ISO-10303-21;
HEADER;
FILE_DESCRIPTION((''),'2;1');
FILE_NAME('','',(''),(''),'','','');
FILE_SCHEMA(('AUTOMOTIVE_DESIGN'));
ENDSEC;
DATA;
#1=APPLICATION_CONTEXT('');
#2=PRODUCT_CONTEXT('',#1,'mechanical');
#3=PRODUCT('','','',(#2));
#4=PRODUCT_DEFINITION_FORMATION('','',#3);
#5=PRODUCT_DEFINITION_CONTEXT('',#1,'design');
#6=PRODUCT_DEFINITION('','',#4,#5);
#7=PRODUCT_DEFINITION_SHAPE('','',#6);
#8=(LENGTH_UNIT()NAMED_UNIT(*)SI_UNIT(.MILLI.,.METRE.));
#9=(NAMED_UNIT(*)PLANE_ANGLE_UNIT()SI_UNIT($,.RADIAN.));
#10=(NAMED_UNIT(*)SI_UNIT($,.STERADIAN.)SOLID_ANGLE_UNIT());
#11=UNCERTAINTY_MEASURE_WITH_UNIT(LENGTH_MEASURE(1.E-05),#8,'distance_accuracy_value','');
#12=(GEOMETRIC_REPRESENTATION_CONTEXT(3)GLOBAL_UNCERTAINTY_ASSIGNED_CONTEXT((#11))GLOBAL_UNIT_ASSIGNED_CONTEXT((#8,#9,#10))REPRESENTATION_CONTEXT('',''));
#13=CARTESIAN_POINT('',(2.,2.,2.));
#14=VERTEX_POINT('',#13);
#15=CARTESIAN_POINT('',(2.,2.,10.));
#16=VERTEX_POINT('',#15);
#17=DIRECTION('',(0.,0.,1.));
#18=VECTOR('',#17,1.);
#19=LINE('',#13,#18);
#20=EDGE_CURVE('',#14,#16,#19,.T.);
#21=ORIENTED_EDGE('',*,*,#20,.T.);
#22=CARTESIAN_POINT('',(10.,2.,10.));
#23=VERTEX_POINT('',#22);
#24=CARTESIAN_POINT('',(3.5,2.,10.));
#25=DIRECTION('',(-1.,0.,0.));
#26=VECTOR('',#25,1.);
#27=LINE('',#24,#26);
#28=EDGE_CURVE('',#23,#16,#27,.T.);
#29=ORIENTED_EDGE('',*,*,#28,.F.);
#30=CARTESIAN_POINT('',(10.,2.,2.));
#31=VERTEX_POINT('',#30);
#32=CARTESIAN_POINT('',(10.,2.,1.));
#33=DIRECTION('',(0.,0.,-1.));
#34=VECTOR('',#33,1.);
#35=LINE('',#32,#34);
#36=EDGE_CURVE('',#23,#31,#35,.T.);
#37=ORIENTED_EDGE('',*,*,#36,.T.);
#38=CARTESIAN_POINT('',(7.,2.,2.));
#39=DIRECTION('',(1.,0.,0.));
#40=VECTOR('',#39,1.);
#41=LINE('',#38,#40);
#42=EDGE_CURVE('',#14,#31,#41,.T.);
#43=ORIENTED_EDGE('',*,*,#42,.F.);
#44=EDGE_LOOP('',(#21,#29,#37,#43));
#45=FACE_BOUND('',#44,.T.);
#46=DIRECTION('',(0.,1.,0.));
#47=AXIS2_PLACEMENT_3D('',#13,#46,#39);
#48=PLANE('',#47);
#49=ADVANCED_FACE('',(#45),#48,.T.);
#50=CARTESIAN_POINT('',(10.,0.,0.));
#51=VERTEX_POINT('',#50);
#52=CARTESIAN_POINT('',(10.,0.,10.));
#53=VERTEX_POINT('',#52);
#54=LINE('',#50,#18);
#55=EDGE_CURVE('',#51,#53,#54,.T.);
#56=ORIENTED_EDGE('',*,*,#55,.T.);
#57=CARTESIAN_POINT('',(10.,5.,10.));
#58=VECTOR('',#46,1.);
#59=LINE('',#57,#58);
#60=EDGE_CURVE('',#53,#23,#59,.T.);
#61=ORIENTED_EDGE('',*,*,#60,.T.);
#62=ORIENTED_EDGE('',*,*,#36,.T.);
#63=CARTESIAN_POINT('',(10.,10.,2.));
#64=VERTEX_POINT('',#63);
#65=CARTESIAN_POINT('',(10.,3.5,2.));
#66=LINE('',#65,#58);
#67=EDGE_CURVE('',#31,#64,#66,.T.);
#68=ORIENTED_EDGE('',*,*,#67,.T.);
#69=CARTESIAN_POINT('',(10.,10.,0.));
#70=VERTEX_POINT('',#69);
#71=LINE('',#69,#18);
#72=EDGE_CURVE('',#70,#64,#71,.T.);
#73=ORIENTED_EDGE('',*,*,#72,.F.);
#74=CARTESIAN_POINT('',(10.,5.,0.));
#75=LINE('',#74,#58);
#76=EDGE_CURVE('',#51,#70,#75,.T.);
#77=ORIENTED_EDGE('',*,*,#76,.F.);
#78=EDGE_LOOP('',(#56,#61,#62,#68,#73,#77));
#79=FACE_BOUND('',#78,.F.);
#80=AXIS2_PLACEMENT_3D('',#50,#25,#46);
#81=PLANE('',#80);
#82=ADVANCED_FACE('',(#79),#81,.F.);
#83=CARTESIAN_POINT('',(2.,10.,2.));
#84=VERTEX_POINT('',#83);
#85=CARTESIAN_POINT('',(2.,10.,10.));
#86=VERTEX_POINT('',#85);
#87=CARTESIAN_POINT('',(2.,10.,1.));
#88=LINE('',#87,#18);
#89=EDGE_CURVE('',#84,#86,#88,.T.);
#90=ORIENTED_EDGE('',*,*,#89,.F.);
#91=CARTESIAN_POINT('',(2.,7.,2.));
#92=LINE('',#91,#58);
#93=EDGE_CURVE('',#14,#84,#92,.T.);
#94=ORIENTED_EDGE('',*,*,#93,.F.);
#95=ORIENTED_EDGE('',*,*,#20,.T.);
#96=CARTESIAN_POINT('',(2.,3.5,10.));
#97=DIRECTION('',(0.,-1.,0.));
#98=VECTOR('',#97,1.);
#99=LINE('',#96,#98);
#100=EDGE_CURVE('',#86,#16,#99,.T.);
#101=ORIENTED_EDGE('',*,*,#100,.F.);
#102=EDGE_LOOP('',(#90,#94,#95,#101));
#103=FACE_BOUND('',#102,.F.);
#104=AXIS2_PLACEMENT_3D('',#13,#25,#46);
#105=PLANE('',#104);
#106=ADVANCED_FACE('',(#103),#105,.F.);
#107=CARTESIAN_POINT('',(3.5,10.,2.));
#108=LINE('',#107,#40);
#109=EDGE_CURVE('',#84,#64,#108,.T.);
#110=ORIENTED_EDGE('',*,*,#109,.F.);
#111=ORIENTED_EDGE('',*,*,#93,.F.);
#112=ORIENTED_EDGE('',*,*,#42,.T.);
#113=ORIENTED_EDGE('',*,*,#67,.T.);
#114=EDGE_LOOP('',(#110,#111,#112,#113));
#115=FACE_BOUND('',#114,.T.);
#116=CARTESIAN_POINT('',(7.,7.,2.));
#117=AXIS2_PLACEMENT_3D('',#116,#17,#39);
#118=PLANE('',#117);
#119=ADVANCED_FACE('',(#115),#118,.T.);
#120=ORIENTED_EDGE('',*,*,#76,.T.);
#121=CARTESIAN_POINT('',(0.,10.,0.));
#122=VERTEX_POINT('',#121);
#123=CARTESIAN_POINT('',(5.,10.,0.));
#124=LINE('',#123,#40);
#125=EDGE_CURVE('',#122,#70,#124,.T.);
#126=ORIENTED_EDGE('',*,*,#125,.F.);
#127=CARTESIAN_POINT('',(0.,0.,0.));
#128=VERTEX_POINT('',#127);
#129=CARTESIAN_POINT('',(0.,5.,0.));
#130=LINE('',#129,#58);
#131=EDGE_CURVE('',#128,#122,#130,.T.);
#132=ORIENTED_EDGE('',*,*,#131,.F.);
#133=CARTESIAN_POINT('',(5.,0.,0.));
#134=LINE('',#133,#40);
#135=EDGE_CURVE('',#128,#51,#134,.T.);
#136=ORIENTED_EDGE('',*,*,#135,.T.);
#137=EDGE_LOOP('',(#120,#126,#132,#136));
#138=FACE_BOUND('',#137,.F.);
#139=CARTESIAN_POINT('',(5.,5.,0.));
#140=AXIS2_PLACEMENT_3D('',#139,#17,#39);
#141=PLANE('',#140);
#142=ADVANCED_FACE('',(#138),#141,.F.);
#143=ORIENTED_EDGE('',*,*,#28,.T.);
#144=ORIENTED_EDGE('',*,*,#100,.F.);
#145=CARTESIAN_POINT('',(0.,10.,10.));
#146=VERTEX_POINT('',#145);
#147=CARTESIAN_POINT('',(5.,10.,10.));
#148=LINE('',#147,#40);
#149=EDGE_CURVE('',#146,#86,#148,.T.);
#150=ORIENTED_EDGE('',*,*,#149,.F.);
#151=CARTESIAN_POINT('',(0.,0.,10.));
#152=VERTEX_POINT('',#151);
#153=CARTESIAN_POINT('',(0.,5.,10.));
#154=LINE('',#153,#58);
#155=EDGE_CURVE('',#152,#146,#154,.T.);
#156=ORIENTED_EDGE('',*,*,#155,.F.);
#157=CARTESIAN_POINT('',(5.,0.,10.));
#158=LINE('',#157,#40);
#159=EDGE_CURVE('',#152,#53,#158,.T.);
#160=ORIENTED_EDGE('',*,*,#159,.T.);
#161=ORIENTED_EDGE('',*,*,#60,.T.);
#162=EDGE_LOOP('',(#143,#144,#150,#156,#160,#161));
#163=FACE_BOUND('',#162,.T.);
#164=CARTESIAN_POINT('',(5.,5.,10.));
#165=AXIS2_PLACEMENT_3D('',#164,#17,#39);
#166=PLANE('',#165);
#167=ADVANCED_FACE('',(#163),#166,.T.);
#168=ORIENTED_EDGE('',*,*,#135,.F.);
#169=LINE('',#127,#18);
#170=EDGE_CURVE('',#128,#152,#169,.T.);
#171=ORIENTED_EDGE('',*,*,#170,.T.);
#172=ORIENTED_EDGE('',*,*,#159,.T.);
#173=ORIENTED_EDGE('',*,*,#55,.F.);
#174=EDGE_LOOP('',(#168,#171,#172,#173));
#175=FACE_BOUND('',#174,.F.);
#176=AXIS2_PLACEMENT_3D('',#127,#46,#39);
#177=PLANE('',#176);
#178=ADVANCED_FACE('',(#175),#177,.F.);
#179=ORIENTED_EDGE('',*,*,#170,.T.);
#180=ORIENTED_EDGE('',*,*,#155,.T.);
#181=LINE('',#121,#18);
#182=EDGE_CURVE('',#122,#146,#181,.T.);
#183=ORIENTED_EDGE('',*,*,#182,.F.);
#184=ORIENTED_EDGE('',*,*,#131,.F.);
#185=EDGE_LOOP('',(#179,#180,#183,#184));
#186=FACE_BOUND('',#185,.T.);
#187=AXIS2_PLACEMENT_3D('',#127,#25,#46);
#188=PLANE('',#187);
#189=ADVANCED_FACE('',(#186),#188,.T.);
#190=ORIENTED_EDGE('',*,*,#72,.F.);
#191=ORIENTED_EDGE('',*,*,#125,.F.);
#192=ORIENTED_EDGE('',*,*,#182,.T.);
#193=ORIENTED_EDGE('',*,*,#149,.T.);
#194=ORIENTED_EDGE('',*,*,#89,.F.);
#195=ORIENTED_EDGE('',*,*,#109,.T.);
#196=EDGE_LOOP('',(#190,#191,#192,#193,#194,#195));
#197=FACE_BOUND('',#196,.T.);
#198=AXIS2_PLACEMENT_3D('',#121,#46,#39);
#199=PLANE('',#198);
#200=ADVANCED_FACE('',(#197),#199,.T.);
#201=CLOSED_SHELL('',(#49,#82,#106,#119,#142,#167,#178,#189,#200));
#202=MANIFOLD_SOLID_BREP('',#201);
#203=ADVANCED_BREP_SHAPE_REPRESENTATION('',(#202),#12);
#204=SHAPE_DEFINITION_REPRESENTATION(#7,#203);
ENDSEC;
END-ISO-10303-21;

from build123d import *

# Parameters (mm, degrees)
BOX001_W     = 10
BOX001_H     = 10
BOX001_DEPTH = 10
BOX_W        = 10
BOX_H        = 10
BOX_DEPTH    = 10


with BuildPart() as cube_difference:
    # Box001 → Box001 (new body)
    with BuildSketch(Plane(origin=(2, 2, 2), x_dir=(1, 0, 0), z_dir=(0, 0, 1))):
        with Locations((5, 5)):
            Rectangle(BOX001_W, BOX001_H)
    extrude(amount=BOX001_DEPTH)


with BuildPart() as cut:
    # Box → Box (new body)
    with BuildSketch(Plane.XY):
        with Locations((5, 5)):
            Rectangle(BOX_W, BOX_H)
    extrude(amount=BOX_DEPTH)

    # Cut: cut Cube_difference
    add(cube_difference.part, mode=Mode.SUBTRACT)


solid = cut.part
